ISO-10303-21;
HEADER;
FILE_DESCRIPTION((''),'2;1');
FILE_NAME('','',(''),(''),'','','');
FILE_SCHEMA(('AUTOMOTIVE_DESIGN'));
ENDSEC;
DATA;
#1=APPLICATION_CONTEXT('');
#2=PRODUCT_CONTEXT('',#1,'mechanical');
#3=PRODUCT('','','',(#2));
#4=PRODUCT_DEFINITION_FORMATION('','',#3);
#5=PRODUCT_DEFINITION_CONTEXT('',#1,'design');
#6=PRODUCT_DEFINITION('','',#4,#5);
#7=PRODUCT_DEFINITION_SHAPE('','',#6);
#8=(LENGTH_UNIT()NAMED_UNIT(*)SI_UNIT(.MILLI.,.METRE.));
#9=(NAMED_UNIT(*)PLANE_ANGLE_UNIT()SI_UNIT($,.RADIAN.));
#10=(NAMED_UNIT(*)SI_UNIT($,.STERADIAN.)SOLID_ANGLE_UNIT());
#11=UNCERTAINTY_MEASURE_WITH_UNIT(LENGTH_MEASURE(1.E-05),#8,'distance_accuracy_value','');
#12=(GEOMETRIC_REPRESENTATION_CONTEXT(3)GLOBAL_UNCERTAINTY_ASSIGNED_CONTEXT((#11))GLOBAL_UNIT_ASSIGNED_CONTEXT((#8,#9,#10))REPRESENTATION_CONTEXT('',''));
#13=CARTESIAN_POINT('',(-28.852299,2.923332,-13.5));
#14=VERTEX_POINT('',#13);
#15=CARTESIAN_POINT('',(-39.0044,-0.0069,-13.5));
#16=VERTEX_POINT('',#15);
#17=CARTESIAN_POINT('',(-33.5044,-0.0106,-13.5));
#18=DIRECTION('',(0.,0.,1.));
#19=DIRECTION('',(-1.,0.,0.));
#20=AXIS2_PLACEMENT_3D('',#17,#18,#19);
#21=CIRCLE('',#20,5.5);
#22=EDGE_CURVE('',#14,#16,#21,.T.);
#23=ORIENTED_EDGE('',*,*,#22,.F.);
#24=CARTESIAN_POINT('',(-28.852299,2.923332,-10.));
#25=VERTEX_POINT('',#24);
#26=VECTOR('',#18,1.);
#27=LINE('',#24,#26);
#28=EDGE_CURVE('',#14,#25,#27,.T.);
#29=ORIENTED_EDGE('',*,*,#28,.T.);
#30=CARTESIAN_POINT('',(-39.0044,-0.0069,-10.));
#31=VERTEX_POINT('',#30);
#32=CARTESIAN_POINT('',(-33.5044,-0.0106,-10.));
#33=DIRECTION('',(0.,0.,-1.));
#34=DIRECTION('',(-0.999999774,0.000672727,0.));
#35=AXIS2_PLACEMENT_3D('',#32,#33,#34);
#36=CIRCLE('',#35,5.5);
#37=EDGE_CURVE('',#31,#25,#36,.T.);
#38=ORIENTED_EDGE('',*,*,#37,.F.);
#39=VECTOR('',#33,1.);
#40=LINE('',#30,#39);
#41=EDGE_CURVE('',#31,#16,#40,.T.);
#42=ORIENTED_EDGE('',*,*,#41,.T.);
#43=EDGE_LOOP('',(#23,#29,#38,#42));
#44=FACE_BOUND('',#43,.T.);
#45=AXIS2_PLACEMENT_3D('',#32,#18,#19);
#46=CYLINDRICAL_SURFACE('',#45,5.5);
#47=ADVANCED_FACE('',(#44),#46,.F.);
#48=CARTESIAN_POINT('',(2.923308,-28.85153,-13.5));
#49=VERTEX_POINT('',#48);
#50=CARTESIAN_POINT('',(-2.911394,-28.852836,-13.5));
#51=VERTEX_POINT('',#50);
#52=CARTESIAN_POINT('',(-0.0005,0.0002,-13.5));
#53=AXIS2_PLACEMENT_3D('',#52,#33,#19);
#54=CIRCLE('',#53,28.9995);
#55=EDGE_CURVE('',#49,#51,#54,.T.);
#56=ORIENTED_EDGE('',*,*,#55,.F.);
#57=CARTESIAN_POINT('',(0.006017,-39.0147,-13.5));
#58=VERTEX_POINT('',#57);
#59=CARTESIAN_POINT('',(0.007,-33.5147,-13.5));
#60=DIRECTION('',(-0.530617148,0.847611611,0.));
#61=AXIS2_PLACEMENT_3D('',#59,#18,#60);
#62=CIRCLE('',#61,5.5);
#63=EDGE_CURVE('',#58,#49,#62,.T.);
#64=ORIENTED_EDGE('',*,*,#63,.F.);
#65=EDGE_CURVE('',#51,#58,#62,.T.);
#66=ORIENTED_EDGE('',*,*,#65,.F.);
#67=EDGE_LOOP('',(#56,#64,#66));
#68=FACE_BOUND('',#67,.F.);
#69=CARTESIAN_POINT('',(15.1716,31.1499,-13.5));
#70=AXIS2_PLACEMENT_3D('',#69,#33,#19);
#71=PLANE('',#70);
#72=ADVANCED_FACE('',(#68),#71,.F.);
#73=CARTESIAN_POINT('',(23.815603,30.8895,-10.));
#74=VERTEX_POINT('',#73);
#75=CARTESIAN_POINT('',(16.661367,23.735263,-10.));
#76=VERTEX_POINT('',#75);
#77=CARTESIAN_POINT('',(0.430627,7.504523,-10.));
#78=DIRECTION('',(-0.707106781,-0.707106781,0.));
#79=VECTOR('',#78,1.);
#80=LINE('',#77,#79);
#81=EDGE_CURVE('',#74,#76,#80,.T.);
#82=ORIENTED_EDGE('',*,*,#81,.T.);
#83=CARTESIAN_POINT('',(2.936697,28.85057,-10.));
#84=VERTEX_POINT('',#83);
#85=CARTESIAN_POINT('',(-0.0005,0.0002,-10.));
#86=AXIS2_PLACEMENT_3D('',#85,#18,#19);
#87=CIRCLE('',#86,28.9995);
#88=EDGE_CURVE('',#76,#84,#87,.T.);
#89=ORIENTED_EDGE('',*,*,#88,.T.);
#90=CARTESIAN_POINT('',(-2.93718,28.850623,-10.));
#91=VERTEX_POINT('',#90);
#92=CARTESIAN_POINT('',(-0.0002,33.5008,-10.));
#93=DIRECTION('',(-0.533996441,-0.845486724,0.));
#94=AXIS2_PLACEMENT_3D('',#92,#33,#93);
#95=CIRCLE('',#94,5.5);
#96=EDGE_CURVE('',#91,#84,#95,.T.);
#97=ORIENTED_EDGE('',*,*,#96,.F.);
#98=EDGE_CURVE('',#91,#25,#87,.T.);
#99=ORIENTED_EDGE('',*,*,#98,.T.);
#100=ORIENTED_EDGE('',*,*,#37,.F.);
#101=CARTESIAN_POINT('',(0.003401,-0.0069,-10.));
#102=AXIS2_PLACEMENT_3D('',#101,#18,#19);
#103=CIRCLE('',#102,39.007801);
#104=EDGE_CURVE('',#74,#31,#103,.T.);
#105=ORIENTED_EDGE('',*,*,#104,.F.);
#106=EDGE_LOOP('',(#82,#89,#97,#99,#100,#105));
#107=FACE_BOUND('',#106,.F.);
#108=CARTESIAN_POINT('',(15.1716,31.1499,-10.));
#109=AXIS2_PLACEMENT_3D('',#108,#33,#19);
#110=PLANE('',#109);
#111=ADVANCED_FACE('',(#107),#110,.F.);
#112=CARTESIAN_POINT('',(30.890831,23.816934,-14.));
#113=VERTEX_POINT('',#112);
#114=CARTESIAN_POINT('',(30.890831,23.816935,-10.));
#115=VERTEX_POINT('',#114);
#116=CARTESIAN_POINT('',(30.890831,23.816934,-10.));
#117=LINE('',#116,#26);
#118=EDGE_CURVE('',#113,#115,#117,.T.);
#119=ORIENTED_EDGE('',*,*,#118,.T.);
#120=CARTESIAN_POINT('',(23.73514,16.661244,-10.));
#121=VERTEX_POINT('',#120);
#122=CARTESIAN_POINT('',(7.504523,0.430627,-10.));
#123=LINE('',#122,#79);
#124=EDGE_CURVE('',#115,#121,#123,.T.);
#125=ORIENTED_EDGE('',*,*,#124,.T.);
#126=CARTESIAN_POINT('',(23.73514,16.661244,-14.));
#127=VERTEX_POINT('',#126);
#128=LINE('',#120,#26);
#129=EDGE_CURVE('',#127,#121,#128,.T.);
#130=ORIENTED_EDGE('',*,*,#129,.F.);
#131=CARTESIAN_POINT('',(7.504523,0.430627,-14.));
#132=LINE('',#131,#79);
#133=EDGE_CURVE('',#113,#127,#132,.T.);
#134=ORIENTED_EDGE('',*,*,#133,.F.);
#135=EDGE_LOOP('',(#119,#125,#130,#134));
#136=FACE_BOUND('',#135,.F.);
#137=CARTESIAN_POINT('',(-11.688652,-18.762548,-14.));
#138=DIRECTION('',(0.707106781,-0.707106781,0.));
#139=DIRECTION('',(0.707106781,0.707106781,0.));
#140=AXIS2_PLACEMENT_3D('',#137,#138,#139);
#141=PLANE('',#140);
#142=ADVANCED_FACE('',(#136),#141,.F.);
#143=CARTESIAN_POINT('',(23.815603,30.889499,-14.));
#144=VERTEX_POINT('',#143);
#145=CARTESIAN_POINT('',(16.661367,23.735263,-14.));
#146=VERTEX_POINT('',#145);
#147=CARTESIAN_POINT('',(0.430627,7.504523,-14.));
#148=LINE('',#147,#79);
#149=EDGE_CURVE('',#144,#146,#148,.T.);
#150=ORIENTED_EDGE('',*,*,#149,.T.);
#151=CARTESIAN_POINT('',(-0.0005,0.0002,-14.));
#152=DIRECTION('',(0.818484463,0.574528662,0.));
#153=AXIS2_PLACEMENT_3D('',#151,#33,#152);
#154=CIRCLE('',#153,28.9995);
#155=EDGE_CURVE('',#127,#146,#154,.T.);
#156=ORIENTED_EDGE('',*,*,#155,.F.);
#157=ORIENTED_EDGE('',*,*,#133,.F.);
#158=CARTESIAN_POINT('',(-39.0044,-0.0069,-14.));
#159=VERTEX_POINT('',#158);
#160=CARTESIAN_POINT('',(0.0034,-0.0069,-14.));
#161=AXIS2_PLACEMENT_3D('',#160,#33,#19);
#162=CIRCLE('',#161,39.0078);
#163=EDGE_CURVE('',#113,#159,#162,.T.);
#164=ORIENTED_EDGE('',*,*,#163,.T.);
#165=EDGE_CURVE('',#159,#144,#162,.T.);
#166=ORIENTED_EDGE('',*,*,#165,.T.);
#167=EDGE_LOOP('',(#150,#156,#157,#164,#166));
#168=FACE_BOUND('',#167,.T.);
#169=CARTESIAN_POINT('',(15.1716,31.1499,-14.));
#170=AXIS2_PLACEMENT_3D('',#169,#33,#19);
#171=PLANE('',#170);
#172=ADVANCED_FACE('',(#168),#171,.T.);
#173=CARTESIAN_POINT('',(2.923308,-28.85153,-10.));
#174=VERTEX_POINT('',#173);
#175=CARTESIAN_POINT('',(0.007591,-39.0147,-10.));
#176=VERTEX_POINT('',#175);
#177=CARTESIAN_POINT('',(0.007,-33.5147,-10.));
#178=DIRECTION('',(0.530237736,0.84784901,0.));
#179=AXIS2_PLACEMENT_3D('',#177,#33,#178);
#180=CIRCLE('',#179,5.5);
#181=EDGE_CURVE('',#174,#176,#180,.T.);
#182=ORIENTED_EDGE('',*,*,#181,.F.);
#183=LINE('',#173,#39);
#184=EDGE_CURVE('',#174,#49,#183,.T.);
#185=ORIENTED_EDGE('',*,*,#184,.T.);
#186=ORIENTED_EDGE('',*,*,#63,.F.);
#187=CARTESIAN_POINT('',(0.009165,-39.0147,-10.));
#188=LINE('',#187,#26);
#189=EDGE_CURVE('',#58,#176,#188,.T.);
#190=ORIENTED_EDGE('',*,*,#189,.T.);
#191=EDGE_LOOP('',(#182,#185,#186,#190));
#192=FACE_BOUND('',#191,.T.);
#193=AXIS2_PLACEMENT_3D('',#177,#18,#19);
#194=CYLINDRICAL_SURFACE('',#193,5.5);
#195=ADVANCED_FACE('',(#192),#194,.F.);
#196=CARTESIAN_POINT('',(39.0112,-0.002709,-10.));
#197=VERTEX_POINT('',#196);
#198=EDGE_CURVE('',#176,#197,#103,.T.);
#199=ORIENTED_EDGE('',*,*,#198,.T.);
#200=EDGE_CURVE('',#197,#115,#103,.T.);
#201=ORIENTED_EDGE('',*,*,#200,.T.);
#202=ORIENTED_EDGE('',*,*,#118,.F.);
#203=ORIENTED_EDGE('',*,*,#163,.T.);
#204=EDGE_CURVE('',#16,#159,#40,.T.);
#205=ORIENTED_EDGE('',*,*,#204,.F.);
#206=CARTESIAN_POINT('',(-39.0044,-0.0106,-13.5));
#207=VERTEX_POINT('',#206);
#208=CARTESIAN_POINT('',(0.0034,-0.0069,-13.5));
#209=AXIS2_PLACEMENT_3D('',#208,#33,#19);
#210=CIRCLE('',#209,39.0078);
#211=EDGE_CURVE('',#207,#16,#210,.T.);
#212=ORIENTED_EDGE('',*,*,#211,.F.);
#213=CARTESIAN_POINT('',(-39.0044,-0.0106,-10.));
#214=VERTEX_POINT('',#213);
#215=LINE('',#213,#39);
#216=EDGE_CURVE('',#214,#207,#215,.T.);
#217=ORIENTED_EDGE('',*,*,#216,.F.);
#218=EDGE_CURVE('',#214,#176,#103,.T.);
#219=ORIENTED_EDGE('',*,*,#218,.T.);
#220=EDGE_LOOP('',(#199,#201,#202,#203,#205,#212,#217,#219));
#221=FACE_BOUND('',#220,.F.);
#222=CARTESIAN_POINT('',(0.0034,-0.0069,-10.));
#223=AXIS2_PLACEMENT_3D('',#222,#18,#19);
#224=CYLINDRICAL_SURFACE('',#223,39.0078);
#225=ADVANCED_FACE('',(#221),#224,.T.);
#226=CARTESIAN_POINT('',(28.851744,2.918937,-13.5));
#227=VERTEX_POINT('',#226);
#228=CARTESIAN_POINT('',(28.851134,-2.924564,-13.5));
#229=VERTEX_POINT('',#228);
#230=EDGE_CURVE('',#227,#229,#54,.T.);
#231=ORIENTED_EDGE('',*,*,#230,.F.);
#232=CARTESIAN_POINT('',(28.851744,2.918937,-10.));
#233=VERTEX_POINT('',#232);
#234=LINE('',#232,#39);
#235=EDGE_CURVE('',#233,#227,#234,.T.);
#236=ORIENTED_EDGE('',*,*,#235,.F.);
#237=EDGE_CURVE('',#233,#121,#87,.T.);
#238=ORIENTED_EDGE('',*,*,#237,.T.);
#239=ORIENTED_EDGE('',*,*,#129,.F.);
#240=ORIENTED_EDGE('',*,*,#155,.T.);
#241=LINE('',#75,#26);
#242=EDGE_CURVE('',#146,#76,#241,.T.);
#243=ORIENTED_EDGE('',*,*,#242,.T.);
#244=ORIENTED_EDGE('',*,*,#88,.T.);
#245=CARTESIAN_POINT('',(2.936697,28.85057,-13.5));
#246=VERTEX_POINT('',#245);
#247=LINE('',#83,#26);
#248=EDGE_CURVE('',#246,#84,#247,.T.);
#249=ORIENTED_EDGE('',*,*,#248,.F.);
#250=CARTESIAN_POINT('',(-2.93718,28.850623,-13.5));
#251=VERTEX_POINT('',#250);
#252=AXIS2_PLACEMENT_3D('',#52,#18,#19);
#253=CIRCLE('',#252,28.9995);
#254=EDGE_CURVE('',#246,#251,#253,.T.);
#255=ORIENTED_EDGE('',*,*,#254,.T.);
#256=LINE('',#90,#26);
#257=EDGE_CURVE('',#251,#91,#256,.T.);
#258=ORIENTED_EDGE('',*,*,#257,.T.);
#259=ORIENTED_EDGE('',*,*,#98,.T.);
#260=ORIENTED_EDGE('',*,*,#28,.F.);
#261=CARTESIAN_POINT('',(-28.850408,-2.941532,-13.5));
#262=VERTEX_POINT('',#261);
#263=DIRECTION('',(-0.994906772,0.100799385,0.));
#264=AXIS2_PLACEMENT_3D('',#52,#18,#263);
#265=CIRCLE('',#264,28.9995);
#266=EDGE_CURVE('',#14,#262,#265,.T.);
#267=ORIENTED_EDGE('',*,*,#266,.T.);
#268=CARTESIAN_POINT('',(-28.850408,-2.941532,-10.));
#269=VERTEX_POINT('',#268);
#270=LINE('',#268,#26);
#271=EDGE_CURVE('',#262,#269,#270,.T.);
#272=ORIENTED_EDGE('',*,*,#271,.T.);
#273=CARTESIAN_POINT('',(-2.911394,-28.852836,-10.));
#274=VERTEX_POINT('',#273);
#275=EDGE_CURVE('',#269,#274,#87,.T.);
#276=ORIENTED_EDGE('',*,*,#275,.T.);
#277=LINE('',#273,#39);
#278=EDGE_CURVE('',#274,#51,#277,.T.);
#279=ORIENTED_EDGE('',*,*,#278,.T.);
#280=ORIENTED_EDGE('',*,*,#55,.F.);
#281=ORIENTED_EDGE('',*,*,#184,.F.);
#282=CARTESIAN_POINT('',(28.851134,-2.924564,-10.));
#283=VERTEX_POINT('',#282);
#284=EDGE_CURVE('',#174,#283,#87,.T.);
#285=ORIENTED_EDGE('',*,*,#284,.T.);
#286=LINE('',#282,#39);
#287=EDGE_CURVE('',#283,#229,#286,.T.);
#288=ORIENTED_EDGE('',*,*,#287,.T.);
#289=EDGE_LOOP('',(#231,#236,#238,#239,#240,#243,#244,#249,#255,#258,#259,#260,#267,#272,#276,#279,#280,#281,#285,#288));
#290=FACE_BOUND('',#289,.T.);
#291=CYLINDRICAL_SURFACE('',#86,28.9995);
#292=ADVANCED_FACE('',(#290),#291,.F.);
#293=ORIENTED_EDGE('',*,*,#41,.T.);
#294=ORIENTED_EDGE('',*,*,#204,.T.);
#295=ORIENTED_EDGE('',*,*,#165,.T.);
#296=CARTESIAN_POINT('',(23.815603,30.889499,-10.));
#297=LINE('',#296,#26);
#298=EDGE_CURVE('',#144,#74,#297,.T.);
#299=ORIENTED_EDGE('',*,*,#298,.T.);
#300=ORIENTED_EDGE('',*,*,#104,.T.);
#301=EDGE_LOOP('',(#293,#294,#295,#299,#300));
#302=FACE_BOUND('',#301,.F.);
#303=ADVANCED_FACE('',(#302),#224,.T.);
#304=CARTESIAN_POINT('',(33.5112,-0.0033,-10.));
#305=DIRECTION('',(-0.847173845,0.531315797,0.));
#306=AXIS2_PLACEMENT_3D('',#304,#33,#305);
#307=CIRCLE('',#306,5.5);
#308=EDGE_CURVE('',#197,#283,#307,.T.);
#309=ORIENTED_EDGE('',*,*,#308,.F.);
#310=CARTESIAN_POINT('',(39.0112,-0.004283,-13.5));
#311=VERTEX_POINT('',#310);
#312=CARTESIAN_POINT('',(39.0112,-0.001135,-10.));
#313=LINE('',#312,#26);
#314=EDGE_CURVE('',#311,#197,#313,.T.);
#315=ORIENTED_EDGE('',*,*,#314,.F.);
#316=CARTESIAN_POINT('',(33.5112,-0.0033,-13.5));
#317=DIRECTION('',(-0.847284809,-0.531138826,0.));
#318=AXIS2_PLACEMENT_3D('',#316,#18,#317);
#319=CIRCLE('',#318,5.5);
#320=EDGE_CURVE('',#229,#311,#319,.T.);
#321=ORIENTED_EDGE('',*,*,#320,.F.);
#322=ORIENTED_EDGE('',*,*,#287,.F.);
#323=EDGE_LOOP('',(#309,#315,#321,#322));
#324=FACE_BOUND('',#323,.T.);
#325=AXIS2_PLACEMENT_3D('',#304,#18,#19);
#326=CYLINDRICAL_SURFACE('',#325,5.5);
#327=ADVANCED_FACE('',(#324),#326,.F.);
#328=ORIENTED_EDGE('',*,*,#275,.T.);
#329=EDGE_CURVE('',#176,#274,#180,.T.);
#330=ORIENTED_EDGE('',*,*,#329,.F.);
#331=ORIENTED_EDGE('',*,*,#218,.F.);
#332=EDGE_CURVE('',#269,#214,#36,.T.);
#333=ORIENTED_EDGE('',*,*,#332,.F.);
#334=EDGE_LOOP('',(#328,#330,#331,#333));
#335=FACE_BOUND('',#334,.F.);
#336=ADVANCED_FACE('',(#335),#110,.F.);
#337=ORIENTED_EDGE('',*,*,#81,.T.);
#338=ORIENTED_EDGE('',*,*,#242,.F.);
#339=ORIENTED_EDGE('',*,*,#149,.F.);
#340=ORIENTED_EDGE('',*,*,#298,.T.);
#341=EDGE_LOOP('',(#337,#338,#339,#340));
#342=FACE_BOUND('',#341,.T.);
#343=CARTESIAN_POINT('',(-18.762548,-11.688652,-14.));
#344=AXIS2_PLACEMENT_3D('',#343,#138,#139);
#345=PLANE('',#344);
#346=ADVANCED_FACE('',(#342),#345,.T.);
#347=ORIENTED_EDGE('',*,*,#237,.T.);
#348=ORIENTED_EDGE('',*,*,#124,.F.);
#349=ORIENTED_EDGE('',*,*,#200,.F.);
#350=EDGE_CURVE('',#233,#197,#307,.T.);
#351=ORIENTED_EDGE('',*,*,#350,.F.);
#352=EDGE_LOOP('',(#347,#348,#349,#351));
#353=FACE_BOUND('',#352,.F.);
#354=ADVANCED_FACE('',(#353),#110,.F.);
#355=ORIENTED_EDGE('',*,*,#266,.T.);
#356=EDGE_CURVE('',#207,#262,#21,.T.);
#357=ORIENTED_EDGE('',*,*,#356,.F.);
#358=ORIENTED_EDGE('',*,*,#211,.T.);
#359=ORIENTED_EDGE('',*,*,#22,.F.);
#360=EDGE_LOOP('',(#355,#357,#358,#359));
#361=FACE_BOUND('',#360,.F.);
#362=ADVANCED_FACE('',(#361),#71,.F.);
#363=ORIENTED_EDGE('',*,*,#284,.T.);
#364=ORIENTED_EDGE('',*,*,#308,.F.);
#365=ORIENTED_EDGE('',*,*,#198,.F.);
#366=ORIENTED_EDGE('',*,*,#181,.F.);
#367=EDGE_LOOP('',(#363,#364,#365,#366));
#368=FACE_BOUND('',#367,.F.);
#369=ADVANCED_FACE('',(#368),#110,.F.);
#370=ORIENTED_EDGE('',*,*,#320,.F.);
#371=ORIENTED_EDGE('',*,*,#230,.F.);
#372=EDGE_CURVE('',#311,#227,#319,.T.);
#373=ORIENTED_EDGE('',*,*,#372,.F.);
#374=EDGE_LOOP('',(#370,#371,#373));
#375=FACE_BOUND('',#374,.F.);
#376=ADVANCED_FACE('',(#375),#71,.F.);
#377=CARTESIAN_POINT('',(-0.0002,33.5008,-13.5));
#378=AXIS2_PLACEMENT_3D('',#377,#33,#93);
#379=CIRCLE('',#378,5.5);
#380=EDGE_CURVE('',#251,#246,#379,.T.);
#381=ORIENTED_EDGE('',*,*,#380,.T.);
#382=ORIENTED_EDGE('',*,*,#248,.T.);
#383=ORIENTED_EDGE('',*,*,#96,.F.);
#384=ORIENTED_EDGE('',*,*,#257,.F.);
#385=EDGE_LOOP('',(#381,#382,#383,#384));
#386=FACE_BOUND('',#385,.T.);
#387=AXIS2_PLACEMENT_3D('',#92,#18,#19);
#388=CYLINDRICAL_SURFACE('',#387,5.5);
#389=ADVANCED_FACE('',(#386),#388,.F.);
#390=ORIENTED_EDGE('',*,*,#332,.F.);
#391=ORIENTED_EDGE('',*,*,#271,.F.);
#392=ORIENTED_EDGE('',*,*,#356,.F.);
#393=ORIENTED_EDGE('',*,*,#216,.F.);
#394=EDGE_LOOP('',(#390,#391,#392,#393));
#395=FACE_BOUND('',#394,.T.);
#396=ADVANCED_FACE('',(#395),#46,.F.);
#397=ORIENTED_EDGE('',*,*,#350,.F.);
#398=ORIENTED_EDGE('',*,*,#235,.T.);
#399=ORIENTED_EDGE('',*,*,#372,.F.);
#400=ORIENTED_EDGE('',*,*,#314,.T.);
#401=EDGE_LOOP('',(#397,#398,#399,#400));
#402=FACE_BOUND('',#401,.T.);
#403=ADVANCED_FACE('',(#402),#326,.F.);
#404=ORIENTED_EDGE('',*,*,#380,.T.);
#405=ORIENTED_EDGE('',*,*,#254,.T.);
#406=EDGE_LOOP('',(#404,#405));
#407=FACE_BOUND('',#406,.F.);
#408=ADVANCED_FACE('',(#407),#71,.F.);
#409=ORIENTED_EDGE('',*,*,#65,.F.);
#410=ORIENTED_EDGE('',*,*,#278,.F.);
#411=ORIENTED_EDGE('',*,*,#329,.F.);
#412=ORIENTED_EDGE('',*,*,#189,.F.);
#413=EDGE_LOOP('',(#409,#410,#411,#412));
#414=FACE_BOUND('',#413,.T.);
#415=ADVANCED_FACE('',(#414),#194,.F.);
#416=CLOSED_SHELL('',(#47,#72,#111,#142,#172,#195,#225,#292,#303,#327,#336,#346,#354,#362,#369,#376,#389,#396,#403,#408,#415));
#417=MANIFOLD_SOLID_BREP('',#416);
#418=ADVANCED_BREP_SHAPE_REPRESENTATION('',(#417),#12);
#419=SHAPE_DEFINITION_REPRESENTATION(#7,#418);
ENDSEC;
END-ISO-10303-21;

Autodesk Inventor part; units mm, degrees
ref_plane "YZ Plane" through (0, 0, 0) normal (1, 0, 0) x (0, 1, 0)
ref_plane "XZ Plane" through (0, 0, 0) normal (0, 1, 0) x (-1, 0, 0)
sketch "Sketch1" plane through (15.1716, 31.1499, -10) normal (0, 0, -1) x (-1, 0, 0)
  circle A0 centre (15.1718, 2.3509) radius 5.5
  circle A1 centre (15.1682, -31.1568) radius 39.0078 projected
  line L0 (15.1682, 16.6184) -> (15.1682, -92.5886) construction
  line L1 (67.6065, -31.1568) -> (-2.4603, -31.1568) construction
  circle A2 centre (-18.3396, -31.1532) radius 5.5
  circle A3 centre (15.1646, -64.6646) radius 5.5
  circle A4 centre (48.676, -31.1605) radius 5.5
  circle A5 centre (15.1721, -31.1497) radius 28.9995 projected
  circle A6 centre (15.1721, -31.1497) radius 39.0149
  circle A7 centre (15.1721, -31.1497) radius 28.9995
  point P0 (15.1716, -31.1499)
  point P1 (-17.7938, -52.0162)
  point P2 (15.182, -70.1646)
  point P3 (-13.6795, -34.0745)
  point P4 (-13.6801, -28.231)
  point P5 (18.083, -60.0028)
  point P6 (12.2483, -60.0015)
  point P7 (54.176, -31.1611)
  point P8 (54.176, -31.1568)
  dimension "d0" = 11
  dimension "d3" = 360
extrude "Extrusion1" add sketch "Sketch1" along normal blind 4 contours A0 A5 | A0 A1 A4 A5 | A1 A6 | A0 A5 A2 A1 | A1 A4 A5 | A2 A5 A3 A1 | A2 A5 | A1 A3 A5 A4 | A3 A5 picked at (15.172, 1.1724) picked at (-17.1539, -31.1527) picked at (15.165, -63.4768)
extrude "Extrusion2" cut sketch "Sketch1" along normal blind 3.5 contours A0 A5 | A0 A5 | A1 A4 A5 | A2 A5 | A5 A4 | A3 A5 picked at (-17.1539, -31.1527) picked at (15.165, -63.4768)
sketch "Sketch3" plane through (0, 0, 0) normal (0, 1, 0) x (-1, 0, 0)
  point P0 (0, 0)
sketch "Sketch4" plane through (15.1716, 31.1499, -14) normal (0, 0, -1) x (-1, 0, 0)
  line L0 (15.1716, -11.9634) -> (15.1716, -53.9026)
  line L1 (30.3972, -46.3755) -> (6.4991, -22.4774)
  point P0 (15.1716, -31.1499)
  dimension "d9" = 135
ref_plane "Work Plane1" through (-15.2256, -15.2256, -14) normal (0.7071, -0.7071, 0) x (0.7071, 0.7071, 0)
sketch "Sketch5" plane through (-15.2256, -15.2256, -14) normal (0.7071, -0.7071, 0) x (0.7071, 0.7071, 0)
  line L0 (50.5315, 0) -> (50.5315, 4) projected
  line L1 (50.5315, -1.9282) -> (46.5682, 5.2134)
  line L2 (46.5682, 5.2134) -> (63.3976, 5.2134)
  line L3 (63.3976, 5.2134) -> (68.7285, -4.3924)
  line L4 (68.7285, -4.3924) -> (51.8991, -4.3924)
  line L5 (51.8991, -4.3924) -> (50.5315, -1.9282)
  point P0 (21.5323, 14)
extrude "Extrusion3" cut sketch "Sketch5" along normal mid plane 10
properties part number "Top holder magnet"
